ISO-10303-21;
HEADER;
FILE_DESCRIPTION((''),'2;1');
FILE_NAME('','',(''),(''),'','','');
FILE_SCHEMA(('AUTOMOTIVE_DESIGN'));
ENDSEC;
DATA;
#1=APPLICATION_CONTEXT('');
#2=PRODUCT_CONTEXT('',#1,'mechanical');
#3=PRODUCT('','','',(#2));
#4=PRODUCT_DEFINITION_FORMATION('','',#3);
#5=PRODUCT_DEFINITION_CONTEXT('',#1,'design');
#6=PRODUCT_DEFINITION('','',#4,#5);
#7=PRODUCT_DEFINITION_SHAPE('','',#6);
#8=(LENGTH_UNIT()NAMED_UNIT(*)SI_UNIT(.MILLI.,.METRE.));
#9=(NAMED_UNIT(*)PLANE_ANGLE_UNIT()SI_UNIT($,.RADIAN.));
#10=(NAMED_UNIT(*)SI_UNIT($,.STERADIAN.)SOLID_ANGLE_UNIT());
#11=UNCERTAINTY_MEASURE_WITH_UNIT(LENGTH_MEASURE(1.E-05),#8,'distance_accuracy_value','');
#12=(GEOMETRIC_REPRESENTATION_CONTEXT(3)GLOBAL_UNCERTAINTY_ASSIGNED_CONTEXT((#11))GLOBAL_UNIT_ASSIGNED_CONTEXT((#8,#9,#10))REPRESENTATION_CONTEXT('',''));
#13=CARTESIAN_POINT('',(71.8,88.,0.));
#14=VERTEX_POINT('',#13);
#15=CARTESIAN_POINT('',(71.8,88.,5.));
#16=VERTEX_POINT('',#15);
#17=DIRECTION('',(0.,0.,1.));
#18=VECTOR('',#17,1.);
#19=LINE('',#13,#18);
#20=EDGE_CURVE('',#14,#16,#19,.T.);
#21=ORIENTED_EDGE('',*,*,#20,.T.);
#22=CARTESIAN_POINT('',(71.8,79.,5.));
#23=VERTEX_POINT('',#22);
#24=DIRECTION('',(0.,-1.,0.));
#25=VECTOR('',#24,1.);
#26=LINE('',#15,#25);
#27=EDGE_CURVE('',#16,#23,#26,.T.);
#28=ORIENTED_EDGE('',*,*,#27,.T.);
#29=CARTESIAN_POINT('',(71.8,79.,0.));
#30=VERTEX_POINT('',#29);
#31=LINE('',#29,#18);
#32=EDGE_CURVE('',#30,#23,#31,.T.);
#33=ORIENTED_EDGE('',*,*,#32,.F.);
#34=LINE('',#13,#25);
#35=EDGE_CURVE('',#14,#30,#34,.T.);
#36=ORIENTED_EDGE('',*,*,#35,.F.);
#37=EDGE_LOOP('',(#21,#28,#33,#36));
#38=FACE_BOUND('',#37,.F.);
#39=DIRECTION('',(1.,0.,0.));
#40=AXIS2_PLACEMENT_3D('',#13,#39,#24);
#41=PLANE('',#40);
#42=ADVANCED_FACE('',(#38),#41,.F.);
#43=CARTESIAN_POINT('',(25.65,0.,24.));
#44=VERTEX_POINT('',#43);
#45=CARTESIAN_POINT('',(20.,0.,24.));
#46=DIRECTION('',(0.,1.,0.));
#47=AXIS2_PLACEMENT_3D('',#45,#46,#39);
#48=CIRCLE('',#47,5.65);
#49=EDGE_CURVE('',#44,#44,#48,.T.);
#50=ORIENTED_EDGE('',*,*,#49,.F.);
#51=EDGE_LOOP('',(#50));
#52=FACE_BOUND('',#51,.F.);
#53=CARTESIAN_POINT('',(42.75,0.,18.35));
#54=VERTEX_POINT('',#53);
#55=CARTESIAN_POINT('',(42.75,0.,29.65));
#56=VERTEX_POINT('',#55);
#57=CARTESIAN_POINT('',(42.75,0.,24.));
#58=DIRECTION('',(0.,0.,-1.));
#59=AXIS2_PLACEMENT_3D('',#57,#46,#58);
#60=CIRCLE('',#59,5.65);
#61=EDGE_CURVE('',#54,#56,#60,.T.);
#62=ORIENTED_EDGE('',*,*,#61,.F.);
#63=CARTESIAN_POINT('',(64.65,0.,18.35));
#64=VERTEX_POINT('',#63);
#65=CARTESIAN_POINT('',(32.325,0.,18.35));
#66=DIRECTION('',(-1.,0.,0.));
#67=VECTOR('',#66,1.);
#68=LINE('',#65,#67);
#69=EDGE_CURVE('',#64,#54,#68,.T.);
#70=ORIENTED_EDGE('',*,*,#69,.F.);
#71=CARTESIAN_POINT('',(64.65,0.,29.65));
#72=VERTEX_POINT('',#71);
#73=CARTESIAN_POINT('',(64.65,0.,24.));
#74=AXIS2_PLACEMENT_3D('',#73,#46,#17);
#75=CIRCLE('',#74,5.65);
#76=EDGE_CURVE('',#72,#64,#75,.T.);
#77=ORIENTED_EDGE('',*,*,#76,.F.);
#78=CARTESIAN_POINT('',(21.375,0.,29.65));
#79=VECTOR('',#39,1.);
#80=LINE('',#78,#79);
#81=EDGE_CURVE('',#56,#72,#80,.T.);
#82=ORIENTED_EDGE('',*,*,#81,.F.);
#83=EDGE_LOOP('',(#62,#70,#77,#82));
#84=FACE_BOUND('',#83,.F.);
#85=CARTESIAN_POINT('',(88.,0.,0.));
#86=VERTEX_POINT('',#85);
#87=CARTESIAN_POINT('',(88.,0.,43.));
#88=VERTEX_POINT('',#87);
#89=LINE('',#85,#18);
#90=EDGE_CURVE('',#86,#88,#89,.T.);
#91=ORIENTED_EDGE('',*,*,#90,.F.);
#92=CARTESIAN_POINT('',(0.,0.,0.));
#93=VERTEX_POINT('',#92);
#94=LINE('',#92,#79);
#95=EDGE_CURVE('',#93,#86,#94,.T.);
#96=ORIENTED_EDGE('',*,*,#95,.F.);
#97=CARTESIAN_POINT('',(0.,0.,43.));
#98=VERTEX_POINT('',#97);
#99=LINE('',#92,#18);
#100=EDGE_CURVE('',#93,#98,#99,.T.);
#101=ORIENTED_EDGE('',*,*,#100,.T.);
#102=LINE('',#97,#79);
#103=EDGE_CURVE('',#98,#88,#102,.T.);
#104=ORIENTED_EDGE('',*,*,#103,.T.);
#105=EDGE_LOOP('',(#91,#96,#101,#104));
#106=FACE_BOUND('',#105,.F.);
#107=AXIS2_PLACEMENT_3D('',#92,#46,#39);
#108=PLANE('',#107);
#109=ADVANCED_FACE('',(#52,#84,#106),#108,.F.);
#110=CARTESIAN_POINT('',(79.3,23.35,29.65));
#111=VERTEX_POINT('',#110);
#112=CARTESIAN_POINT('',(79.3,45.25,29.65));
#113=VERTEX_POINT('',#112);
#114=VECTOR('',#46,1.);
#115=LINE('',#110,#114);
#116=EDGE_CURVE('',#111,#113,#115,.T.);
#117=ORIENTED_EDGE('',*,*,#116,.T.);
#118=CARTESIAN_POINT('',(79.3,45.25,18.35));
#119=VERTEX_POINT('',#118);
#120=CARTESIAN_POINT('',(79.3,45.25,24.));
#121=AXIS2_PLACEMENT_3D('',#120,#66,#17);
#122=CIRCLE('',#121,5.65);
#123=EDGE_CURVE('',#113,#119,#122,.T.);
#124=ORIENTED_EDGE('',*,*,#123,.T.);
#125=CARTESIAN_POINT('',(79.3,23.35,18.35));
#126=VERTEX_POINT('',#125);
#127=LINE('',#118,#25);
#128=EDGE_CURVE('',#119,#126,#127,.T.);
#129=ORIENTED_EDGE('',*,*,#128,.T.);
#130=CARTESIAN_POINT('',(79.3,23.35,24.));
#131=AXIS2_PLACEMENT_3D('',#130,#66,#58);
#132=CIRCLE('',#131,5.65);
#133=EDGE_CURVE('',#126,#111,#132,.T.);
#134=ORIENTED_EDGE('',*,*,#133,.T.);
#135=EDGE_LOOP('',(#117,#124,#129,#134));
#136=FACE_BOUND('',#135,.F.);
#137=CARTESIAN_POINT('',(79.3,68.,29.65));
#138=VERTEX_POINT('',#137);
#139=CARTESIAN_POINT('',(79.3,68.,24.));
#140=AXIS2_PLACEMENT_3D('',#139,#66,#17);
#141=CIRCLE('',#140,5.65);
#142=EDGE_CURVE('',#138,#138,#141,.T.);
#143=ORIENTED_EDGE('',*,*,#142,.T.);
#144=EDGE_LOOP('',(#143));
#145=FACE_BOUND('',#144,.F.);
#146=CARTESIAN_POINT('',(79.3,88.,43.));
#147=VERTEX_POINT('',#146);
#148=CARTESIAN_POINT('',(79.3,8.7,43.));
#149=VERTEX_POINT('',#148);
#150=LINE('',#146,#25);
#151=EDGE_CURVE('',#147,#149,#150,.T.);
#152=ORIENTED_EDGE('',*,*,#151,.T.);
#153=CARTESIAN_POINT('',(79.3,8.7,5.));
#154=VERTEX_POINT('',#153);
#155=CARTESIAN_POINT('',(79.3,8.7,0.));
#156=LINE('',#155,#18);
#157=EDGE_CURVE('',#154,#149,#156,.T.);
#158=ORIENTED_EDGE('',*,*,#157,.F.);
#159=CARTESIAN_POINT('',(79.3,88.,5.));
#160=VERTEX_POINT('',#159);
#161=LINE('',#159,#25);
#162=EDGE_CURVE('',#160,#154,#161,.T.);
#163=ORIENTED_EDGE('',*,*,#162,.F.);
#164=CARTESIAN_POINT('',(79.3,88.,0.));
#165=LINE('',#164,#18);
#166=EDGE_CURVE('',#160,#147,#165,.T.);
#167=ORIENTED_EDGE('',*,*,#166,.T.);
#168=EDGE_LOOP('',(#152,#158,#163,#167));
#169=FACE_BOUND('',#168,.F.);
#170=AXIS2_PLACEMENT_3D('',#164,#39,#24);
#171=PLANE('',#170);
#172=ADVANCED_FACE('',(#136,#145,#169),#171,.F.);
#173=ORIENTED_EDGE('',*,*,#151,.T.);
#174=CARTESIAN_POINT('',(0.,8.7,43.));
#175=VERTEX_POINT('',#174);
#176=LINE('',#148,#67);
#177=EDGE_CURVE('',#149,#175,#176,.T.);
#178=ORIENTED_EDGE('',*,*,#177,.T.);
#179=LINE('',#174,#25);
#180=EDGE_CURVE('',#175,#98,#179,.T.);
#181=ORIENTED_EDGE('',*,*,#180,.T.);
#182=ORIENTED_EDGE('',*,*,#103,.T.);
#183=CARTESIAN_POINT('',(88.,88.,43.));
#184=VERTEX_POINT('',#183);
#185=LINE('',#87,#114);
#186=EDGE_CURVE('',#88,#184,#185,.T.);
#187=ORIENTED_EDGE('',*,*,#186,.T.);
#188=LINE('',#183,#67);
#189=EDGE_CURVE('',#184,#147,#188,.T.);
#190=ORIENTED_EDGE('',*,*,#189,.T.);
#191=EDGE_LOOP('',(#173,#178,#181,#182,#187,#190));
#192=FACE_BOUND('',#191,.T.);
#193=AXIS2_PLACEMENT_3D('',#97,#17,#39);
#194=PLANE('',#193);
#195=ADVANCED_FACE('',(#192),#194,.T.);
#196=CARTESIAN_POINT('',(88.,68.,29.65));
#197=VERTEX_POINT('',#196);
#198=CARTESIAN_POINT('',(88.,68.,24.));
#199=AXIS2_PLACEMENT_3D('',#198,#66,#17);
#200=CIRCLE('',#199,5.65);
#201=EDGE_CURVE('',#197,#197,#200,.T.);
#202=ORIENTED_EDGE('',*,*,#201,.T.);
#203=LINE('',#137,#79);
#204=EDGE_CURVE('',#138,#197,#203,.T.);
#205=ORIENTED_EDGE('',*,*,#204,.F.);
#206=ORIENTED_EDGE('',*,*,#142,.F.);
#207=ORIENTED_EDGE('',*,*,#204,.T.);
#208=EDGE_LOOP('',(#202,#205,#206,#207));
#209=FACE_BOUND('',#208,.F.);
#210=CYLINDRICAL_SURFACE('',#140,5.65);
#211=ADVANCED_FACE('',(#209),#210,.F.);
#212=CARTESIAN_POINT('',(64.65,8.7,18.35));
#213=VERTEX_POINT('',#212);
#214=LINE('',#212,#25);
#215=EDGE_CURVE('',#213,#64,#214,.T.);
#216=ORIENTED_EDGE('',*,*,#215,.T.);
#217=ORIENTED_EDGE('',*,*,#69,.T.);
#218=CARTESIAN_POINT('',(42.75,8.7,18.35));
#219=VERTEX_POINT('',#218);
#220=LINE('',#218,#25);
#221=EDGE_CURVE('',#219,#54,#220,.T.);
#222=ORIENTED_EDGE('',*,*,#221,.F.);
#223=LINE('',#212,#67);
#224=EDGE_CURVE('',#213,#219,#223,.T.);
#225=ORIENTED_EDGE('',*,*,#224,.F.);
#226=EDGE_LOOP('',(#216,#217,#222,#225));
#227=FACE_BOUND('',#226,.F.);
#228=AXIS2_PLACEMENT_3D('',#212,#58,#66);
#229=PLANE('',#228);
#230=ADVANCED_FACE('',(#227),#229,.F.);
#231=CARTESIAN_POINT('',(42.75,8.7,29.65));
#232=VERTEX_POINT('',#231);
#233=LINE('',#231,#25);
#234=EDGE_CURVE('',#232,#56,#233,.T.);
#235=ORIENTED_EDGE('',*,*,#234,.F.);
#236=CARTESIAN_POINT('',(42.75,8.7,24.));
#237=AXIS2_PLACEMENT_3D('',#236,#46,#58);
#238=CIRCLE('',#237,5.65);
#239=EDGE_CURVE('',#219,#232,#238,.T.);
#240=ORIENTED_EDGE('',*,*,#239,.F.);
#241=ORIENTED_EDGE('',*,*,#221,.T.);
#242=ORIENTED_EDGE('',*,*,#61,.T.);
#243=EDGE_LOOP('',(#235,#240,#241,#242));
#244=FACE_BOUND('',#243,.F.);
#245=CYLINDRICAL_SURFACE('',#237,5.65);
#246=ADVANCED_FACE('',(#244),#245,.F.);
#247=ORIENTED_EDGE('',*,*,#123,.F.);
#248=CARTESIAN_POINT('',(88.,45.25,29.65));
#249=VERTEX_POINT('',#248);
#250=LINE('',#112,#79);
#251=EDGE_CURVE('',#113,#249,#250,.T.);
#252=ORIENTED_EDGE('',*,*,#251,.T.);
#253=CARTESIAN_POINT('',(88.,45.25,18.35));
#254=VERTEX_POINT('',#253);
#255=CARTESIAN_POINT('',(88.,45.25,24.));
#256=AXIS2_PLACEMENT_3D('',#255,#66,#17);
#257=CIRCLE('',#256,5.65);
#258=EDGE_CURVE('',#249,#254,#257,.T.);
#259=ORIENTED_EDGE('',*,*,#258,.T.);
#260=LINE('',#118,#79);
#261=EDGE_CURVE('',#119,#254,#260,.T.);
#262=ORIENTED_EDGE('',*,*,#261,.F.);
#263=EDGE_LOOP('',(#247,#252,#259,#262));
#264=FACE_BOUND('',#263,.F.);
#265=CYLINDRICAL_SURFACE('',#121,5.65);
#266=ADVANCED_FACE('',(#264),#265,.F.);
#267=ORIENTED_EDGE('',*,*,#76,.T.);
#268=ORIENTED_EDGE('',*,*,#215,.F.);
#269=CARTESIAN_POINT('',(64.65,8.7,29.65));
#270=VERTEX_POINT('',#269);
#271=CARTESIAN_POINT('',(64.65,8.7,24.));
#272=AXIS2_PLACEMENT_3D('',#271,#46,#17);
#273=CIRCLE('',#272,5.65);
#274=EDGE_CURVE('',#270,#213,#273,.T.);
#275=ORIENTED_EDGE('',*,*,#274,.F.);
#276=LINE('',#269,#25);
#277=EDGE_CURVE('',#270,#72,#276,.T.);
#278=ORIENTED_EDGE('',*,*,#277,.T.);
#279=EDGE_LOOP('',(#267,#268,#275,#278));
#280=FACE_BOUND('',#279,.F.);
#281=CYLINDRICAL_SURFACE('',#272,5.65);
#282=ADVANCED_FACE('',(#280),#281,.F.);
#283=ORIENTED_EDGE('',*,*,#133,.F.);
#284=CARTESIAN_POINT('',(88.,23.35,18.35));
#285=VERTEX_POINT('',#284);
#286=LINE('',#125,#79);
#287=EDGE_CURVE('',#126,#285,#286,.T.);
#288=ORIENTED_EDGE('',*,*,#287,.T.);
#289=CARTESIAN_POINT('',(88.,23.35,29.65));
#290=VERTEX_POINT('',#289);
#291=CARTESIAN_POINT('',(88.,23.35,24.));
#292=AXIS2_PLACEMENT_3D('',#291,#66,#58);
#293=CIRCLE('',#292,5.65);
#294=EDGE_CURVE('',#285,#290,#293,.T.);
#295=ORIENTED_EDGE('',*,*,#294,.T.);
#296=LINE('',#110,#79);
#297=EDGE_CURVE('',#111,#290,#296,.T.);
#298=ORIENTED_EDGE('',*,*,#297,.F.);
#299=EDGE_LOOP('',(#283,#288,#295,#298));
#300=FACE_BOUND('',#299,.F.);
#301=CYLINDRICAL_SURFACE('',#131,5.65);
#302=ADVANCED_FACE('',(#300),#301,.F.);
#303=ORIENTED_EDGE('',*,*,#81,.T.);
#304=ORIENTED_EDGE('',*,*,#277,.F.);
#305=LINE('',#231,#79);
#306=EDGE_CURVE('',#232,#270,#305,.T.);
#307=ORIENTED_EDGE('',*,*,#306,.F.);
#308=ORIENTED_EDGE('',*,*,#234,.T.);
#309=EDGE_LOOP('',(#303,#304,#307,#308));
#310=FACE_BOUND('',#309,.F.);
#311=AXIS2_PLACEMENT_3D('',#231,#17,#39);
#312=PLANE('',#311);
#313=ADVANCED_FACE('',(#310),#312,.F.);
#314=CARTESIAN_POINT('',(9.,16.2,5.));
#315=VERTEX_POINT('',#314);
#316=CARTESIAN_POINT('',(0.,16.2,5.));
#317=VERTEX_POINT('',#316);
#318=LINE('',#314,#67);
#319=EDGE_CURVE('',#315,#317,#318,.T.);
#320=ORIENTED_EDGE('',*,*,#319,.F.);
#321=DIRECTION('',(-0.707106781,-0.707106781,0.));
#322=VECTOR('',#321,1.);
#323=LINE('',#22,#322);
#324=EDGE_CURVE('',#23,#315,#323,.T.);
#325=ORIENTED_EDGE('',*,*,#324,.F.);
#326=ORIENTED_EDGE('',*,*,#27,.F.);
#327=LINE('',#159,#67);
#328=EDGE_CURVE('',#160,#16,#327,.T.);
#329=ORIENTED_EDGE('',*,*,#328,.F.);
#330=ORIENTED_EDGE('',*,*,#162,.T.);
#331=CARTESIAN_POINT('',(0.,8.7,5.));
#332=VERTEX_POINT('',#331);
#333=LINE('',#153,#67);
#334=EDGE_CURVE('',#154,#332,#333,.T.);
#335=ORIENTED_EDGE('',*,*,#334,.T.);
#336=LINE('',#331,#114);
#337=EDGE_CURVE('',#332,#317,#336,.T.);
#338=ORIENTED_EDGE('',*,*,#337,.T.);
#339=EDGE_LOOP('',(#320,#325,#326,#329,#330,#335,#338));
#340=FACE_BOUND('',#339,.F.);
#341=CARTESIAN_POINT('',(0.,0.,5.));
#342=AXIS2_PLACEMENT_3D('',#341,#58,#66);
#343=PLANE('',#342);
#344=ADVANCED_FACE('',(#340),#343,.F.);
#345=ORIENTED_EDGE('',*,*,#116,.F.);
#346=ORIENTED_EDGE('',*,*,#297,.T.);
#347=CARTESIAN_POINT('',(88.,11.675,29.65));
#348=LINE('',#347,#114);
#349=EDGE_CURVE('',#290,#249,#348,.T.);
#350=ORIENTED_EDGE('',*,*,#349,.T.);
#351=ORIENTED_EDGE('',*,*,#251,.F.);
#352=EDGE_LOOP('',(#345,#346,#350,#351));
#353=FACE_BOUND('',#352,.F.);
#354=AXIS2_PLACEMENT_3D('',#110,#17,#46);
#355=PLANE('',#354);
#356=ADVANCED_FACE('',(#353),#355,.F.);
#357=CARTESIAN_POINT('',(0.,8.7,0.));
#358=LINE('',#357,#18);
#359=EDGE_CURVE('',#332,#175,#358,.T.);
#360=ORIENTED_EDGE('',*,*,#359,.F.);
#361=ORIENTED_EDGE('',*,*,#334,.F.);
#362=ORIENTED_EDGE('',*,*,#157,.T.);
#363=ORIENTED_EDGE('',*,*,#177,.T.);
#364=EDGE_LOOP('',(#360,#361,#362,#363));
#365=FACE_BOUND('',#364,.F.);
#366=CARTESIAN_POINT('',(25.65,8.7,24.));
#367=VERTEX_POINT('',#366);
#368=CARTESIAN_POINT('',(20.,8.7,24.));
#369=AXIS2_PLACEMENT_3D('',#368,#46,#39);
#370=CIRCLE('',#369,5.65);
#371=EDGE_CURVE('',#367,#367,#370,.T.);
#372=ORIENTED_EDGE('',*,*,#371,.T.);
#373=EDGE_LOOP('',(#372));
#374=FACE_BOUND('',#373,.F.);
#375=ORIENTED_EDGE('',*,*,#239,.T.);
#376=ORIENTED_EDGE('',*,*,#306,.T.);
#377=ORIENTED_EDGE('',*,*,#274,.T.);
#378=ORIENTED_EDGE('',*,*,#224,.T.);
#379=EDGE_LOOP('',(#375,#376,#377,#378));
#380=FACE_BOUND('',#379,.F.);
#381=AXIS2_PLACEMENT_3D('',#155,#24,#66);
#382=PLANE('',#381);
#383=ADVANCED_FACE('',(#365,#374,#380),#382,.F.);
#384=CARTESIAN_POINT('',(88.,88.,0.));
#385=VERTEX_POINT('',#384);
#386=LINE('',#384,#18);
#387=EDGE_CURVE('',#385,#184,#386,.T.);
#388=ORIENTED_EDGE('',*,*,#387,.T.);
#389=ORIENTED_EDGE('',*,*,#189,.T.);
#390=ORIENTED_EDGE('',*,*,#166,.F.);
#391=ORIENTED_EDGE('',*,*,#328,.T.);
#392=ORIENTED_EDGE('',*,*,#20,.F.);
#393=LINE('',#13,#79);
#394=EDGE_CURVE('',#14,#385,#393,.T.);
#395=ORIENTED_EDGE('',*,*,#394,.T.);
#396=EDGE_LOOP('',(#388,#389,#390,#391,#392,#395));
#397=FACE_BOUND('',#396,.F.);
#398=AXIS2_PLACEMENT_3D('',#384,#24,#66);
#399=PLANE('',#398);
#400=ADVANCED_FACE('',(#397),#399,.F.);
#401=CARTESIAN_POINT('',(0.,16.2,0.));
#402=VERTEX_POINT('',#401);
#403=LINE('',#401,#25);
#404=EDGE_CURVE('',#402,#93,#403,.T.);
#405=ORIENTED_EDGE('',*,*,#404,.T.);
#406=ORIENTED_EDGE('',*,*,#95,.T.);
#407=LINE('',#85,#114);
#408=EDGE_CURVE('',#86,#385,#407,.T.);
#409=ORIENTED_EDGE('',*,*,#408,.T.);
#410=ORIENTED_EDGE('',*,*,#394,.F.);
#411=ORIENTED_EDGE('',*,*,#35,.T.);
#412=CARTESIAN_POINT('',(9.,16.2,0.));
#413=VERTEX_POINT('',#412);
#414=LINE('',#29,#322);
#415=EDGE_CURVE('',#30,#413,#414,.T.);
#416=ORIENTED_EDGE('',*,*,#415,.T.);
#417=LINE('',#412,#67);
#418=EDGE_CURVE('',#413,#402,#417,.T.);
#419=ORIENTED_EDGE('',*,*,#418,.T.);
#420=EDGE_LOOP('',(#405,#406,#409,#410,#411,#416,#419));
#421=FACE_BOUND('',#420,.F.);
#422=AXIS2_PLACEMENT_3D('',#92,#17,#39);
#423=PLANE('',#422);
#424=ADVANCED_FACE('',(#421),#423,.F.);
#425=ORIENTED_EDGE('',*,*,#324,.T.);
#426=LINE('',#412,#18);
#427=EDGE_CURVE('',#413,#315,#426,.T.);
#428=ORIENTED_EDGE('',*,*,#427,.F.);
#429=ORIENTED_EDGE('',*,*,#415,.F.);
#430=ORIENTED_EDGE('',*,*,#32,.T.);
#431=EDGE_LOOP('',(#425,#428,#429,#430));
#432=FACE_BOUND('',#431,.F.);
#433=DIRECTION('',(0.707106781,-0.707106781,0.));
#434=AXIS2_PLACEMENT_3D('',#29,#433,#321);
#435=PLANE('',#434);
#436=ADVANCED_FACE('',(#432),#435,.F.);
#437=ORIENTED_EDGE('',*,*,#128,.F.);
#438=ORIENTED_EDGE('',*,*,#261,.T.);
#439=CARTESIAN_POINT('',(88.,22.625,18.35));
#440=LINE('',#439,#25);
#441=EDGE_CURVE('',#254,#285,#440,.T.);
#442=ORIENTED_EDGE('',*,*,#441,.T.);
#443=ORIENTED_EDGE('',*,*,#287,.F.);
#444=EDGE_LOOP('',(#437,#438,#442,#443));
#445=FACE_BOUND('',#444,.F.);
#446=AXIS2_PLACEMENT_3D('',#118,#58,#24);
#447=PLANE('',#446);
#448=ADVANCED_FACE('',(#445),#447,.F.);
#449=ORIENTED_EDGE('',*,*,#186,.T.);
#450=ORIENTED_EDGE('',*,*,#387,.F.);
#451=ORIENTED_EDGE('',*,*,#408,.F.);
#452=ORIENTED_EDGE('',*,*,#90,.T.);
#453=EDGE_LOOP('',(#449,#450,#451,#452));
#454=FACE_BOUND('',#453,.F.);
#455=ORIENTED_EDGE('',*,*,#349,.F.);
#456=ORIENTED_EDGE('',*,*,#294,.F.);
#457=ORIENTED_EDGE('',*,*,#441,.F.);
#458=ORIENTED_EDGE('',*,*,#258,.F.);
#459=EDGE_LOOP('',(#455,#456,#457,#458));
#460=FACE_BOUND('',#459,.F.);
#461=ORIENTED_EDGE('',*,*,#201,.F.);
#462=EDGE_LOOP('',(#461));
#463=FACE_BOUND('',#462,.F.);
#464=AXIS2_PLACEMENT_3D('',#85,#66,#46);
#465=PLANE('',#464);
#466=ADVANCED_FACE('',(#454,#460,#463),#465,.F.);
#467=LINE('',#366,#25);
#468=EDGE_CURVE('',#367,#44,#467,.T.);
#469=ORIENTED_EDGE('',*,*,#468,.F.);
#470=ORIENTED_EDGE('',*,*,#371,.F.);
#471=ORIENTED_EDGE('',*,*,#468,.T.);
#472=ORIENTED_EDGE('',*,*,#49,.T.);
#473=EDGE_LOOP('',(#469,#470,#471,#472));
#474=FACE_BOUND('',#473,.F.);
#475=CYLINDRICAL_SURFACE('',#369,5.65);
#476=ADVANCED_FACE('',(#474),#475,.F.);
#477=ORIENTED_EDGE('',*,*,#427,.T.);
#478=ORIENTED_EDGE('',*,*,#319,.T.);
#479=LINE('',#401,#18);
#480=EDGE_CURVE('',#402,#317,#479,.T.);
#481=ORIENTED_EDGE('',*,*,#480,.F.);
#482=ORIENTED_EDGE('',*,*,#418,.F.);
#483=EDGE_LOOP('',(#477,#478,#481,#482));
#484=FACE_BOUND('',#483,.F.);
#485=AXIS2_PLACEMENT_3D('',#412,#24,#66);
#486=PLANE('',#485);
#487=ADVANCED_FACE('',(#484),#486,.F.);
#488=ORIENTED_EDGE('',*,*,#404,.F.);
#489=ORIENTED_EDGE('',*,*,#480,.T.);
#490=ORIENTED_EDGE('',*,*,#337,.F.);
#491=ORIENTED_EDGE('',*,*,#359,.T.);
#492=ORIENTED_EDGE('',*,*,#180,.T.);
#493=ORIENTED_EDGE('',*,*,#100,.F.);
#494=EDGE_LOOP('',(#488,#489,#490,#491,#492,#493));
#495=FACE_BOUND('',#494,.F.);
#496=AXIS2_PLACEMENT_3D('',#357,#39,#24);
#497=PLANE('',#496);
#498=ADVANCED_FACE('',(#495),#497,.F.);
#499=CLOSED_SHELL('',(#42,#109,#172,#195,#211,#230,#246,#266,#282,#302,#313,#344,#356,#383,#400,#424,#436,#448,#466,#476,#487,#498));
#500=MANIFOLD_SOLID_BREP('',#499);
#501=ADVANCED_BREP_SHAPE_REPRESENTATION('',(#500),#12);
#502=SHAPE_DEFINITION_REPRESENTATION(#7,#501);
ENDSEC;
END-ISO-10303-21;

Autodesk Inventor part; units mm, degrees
ref_plane "YZ Plane" through (0, 0, 0) normal (1, 0, 0) x (0, 1, 0)
ref_plane "XZ Plane" through (0, 0, 0) normal (0, 1, 0) x (-1, 0, 0)
ref_plane "XY Plane" through (0, 0, 0) normal (0, 0, 1) x (1, 0, 0)
sketch "Boceto1" plane through (0, 0, 0) normal (0, 0, 1) x (1, 0, 0)
  line L0 (0, 0) -> (88, 0)
  line L1 (88, 0) -> (88, 88)
  line L2 (88, 88) -> (79.3, 88)
  line L3 (79.3, 88) -> (79.3, 8.7)
  line L4 (79.3, 8.7) -> (0, 8.7)
  line L5 (0, 8.7) -> (0, 0)
  dimension "d0" = 8.7
  dimension "d1" = 8.7
  dimension "d2" = 88
  dimension "d3" = 88
extrude "Extrusión1" add sketch "Boceto1" along normal blind 43
sketch "Boceto2" plane through (0, 0, 0) normal (0, 0, -1) x (-1, 0, 0)
  line L0 (-88, 88) -> (-79.3, 88) projected
  line L1 (-79.3, 88) -> (-71.8, 88)
  line L2 (-71.8, 88) -> (-71.8, 79)
  line L3 (-71.8, 79) -> (-9, 16.2)
  line L4 (-9, 16.2) -> (0, 16.2)
  line L5 (-79.3, 88) -> (-79.3, 8.7) projected
  line L6 (-79.3, 8.7) -> (0, 8.7) projected
  line L7 (0, 8.7) -> (0, 16.2)
  point P0 (0, 0)
  dimension "d6" = 7.5
  dimension "d7" = 7.5
  dimension "d8" = 9
  dimension "d9" = 9
extrude "Extrusión2" add sketch "Boceto2" against normal blind 5
sketch "Boceto3" plane through (79.3, 8.7, 43) normal (-1, 0, 0) x (0, 0, 1)
  line L0 (-19, 36.55) -> (-19, 14.65) construction
  line L1 (-24.65, 36.55) -> (-24.65, 14.65)
  line L2 (-13.35, 14.65) -> (-13.35, 36.55)
  arc A0 (-13.35, 36.55) -> (-24.65, 36.55) centre (-19, 36.55) ccw
  arc A1 (-24.65, 14.65) -> (-13.35, 14.65) centre (-19, 14.65) ccw
  circle A2 centre (-19, 59.3) radius 5.65
  line L3 (-38, 79.3) -> (0, 79.3) projected
  line L4 (-38, 0) -> (0, 0) projected
  point P0 (-43, -8.7)
  point P1 (-19, 25.6)
  point P2 (-19, 79.3)
  point P3 (-19, 9)
  point P4 (-19, 42.2)
  dimension "d12" = 11.3
  dimension "d13" = 20
  dimension "d14" = 11.3
  dimension "d15" = 33.2
  dimension "d16" = 9
extrude "Extrusión3" cut sketch "Boceto3" against normal through all
sketch "Boceto4" plane through (0, 8.7, 43) normal (0, 1, 0) x (1, 0, 0)
  circle A0 centre (20, 19) radius 5.65
  line L0 (64.65, 19) -> (42.75, 19) construction
  line L1 (64.65, 24.65) -> (42.75, 24.65)
  line L2 (42.75, 13.35) -> (64.65, 13.35)
  arc A1 (64.65, 13.35) -> (64.65, 24.65) centre (64.65, 19) ccw
  arc A2 (42.75, 24.65) -> (42.75, 13.35) centre (42.75, 19) ccw
  line L3 (0, 38) -> (0, 0) projected
  line L4 (79.3, 38) -> (79.3, 0) projected
  point P0 (0, 43)
  point P1 (53.7, 19)
  point P2 (0, 19)
  point P3 (70.3, 19)
  point P4 (37.1, 19)
  dimension "d19" = 11.3
  dimension "d20" = 11.3
  dimension "d21" = 9
  dimension "d22" = 33.2
  dimension "d23" = 20
extrude "Extrusión4" cut sketch "Boceto4" against normal through all
equation "\"d1\" = d0"
equation "\"d3\" = d2"
equation "\"d7\" = d6"
equation "\"d14\" = d12"
equation "\"d20\" = d19"
properties part number "escuadra grande"
